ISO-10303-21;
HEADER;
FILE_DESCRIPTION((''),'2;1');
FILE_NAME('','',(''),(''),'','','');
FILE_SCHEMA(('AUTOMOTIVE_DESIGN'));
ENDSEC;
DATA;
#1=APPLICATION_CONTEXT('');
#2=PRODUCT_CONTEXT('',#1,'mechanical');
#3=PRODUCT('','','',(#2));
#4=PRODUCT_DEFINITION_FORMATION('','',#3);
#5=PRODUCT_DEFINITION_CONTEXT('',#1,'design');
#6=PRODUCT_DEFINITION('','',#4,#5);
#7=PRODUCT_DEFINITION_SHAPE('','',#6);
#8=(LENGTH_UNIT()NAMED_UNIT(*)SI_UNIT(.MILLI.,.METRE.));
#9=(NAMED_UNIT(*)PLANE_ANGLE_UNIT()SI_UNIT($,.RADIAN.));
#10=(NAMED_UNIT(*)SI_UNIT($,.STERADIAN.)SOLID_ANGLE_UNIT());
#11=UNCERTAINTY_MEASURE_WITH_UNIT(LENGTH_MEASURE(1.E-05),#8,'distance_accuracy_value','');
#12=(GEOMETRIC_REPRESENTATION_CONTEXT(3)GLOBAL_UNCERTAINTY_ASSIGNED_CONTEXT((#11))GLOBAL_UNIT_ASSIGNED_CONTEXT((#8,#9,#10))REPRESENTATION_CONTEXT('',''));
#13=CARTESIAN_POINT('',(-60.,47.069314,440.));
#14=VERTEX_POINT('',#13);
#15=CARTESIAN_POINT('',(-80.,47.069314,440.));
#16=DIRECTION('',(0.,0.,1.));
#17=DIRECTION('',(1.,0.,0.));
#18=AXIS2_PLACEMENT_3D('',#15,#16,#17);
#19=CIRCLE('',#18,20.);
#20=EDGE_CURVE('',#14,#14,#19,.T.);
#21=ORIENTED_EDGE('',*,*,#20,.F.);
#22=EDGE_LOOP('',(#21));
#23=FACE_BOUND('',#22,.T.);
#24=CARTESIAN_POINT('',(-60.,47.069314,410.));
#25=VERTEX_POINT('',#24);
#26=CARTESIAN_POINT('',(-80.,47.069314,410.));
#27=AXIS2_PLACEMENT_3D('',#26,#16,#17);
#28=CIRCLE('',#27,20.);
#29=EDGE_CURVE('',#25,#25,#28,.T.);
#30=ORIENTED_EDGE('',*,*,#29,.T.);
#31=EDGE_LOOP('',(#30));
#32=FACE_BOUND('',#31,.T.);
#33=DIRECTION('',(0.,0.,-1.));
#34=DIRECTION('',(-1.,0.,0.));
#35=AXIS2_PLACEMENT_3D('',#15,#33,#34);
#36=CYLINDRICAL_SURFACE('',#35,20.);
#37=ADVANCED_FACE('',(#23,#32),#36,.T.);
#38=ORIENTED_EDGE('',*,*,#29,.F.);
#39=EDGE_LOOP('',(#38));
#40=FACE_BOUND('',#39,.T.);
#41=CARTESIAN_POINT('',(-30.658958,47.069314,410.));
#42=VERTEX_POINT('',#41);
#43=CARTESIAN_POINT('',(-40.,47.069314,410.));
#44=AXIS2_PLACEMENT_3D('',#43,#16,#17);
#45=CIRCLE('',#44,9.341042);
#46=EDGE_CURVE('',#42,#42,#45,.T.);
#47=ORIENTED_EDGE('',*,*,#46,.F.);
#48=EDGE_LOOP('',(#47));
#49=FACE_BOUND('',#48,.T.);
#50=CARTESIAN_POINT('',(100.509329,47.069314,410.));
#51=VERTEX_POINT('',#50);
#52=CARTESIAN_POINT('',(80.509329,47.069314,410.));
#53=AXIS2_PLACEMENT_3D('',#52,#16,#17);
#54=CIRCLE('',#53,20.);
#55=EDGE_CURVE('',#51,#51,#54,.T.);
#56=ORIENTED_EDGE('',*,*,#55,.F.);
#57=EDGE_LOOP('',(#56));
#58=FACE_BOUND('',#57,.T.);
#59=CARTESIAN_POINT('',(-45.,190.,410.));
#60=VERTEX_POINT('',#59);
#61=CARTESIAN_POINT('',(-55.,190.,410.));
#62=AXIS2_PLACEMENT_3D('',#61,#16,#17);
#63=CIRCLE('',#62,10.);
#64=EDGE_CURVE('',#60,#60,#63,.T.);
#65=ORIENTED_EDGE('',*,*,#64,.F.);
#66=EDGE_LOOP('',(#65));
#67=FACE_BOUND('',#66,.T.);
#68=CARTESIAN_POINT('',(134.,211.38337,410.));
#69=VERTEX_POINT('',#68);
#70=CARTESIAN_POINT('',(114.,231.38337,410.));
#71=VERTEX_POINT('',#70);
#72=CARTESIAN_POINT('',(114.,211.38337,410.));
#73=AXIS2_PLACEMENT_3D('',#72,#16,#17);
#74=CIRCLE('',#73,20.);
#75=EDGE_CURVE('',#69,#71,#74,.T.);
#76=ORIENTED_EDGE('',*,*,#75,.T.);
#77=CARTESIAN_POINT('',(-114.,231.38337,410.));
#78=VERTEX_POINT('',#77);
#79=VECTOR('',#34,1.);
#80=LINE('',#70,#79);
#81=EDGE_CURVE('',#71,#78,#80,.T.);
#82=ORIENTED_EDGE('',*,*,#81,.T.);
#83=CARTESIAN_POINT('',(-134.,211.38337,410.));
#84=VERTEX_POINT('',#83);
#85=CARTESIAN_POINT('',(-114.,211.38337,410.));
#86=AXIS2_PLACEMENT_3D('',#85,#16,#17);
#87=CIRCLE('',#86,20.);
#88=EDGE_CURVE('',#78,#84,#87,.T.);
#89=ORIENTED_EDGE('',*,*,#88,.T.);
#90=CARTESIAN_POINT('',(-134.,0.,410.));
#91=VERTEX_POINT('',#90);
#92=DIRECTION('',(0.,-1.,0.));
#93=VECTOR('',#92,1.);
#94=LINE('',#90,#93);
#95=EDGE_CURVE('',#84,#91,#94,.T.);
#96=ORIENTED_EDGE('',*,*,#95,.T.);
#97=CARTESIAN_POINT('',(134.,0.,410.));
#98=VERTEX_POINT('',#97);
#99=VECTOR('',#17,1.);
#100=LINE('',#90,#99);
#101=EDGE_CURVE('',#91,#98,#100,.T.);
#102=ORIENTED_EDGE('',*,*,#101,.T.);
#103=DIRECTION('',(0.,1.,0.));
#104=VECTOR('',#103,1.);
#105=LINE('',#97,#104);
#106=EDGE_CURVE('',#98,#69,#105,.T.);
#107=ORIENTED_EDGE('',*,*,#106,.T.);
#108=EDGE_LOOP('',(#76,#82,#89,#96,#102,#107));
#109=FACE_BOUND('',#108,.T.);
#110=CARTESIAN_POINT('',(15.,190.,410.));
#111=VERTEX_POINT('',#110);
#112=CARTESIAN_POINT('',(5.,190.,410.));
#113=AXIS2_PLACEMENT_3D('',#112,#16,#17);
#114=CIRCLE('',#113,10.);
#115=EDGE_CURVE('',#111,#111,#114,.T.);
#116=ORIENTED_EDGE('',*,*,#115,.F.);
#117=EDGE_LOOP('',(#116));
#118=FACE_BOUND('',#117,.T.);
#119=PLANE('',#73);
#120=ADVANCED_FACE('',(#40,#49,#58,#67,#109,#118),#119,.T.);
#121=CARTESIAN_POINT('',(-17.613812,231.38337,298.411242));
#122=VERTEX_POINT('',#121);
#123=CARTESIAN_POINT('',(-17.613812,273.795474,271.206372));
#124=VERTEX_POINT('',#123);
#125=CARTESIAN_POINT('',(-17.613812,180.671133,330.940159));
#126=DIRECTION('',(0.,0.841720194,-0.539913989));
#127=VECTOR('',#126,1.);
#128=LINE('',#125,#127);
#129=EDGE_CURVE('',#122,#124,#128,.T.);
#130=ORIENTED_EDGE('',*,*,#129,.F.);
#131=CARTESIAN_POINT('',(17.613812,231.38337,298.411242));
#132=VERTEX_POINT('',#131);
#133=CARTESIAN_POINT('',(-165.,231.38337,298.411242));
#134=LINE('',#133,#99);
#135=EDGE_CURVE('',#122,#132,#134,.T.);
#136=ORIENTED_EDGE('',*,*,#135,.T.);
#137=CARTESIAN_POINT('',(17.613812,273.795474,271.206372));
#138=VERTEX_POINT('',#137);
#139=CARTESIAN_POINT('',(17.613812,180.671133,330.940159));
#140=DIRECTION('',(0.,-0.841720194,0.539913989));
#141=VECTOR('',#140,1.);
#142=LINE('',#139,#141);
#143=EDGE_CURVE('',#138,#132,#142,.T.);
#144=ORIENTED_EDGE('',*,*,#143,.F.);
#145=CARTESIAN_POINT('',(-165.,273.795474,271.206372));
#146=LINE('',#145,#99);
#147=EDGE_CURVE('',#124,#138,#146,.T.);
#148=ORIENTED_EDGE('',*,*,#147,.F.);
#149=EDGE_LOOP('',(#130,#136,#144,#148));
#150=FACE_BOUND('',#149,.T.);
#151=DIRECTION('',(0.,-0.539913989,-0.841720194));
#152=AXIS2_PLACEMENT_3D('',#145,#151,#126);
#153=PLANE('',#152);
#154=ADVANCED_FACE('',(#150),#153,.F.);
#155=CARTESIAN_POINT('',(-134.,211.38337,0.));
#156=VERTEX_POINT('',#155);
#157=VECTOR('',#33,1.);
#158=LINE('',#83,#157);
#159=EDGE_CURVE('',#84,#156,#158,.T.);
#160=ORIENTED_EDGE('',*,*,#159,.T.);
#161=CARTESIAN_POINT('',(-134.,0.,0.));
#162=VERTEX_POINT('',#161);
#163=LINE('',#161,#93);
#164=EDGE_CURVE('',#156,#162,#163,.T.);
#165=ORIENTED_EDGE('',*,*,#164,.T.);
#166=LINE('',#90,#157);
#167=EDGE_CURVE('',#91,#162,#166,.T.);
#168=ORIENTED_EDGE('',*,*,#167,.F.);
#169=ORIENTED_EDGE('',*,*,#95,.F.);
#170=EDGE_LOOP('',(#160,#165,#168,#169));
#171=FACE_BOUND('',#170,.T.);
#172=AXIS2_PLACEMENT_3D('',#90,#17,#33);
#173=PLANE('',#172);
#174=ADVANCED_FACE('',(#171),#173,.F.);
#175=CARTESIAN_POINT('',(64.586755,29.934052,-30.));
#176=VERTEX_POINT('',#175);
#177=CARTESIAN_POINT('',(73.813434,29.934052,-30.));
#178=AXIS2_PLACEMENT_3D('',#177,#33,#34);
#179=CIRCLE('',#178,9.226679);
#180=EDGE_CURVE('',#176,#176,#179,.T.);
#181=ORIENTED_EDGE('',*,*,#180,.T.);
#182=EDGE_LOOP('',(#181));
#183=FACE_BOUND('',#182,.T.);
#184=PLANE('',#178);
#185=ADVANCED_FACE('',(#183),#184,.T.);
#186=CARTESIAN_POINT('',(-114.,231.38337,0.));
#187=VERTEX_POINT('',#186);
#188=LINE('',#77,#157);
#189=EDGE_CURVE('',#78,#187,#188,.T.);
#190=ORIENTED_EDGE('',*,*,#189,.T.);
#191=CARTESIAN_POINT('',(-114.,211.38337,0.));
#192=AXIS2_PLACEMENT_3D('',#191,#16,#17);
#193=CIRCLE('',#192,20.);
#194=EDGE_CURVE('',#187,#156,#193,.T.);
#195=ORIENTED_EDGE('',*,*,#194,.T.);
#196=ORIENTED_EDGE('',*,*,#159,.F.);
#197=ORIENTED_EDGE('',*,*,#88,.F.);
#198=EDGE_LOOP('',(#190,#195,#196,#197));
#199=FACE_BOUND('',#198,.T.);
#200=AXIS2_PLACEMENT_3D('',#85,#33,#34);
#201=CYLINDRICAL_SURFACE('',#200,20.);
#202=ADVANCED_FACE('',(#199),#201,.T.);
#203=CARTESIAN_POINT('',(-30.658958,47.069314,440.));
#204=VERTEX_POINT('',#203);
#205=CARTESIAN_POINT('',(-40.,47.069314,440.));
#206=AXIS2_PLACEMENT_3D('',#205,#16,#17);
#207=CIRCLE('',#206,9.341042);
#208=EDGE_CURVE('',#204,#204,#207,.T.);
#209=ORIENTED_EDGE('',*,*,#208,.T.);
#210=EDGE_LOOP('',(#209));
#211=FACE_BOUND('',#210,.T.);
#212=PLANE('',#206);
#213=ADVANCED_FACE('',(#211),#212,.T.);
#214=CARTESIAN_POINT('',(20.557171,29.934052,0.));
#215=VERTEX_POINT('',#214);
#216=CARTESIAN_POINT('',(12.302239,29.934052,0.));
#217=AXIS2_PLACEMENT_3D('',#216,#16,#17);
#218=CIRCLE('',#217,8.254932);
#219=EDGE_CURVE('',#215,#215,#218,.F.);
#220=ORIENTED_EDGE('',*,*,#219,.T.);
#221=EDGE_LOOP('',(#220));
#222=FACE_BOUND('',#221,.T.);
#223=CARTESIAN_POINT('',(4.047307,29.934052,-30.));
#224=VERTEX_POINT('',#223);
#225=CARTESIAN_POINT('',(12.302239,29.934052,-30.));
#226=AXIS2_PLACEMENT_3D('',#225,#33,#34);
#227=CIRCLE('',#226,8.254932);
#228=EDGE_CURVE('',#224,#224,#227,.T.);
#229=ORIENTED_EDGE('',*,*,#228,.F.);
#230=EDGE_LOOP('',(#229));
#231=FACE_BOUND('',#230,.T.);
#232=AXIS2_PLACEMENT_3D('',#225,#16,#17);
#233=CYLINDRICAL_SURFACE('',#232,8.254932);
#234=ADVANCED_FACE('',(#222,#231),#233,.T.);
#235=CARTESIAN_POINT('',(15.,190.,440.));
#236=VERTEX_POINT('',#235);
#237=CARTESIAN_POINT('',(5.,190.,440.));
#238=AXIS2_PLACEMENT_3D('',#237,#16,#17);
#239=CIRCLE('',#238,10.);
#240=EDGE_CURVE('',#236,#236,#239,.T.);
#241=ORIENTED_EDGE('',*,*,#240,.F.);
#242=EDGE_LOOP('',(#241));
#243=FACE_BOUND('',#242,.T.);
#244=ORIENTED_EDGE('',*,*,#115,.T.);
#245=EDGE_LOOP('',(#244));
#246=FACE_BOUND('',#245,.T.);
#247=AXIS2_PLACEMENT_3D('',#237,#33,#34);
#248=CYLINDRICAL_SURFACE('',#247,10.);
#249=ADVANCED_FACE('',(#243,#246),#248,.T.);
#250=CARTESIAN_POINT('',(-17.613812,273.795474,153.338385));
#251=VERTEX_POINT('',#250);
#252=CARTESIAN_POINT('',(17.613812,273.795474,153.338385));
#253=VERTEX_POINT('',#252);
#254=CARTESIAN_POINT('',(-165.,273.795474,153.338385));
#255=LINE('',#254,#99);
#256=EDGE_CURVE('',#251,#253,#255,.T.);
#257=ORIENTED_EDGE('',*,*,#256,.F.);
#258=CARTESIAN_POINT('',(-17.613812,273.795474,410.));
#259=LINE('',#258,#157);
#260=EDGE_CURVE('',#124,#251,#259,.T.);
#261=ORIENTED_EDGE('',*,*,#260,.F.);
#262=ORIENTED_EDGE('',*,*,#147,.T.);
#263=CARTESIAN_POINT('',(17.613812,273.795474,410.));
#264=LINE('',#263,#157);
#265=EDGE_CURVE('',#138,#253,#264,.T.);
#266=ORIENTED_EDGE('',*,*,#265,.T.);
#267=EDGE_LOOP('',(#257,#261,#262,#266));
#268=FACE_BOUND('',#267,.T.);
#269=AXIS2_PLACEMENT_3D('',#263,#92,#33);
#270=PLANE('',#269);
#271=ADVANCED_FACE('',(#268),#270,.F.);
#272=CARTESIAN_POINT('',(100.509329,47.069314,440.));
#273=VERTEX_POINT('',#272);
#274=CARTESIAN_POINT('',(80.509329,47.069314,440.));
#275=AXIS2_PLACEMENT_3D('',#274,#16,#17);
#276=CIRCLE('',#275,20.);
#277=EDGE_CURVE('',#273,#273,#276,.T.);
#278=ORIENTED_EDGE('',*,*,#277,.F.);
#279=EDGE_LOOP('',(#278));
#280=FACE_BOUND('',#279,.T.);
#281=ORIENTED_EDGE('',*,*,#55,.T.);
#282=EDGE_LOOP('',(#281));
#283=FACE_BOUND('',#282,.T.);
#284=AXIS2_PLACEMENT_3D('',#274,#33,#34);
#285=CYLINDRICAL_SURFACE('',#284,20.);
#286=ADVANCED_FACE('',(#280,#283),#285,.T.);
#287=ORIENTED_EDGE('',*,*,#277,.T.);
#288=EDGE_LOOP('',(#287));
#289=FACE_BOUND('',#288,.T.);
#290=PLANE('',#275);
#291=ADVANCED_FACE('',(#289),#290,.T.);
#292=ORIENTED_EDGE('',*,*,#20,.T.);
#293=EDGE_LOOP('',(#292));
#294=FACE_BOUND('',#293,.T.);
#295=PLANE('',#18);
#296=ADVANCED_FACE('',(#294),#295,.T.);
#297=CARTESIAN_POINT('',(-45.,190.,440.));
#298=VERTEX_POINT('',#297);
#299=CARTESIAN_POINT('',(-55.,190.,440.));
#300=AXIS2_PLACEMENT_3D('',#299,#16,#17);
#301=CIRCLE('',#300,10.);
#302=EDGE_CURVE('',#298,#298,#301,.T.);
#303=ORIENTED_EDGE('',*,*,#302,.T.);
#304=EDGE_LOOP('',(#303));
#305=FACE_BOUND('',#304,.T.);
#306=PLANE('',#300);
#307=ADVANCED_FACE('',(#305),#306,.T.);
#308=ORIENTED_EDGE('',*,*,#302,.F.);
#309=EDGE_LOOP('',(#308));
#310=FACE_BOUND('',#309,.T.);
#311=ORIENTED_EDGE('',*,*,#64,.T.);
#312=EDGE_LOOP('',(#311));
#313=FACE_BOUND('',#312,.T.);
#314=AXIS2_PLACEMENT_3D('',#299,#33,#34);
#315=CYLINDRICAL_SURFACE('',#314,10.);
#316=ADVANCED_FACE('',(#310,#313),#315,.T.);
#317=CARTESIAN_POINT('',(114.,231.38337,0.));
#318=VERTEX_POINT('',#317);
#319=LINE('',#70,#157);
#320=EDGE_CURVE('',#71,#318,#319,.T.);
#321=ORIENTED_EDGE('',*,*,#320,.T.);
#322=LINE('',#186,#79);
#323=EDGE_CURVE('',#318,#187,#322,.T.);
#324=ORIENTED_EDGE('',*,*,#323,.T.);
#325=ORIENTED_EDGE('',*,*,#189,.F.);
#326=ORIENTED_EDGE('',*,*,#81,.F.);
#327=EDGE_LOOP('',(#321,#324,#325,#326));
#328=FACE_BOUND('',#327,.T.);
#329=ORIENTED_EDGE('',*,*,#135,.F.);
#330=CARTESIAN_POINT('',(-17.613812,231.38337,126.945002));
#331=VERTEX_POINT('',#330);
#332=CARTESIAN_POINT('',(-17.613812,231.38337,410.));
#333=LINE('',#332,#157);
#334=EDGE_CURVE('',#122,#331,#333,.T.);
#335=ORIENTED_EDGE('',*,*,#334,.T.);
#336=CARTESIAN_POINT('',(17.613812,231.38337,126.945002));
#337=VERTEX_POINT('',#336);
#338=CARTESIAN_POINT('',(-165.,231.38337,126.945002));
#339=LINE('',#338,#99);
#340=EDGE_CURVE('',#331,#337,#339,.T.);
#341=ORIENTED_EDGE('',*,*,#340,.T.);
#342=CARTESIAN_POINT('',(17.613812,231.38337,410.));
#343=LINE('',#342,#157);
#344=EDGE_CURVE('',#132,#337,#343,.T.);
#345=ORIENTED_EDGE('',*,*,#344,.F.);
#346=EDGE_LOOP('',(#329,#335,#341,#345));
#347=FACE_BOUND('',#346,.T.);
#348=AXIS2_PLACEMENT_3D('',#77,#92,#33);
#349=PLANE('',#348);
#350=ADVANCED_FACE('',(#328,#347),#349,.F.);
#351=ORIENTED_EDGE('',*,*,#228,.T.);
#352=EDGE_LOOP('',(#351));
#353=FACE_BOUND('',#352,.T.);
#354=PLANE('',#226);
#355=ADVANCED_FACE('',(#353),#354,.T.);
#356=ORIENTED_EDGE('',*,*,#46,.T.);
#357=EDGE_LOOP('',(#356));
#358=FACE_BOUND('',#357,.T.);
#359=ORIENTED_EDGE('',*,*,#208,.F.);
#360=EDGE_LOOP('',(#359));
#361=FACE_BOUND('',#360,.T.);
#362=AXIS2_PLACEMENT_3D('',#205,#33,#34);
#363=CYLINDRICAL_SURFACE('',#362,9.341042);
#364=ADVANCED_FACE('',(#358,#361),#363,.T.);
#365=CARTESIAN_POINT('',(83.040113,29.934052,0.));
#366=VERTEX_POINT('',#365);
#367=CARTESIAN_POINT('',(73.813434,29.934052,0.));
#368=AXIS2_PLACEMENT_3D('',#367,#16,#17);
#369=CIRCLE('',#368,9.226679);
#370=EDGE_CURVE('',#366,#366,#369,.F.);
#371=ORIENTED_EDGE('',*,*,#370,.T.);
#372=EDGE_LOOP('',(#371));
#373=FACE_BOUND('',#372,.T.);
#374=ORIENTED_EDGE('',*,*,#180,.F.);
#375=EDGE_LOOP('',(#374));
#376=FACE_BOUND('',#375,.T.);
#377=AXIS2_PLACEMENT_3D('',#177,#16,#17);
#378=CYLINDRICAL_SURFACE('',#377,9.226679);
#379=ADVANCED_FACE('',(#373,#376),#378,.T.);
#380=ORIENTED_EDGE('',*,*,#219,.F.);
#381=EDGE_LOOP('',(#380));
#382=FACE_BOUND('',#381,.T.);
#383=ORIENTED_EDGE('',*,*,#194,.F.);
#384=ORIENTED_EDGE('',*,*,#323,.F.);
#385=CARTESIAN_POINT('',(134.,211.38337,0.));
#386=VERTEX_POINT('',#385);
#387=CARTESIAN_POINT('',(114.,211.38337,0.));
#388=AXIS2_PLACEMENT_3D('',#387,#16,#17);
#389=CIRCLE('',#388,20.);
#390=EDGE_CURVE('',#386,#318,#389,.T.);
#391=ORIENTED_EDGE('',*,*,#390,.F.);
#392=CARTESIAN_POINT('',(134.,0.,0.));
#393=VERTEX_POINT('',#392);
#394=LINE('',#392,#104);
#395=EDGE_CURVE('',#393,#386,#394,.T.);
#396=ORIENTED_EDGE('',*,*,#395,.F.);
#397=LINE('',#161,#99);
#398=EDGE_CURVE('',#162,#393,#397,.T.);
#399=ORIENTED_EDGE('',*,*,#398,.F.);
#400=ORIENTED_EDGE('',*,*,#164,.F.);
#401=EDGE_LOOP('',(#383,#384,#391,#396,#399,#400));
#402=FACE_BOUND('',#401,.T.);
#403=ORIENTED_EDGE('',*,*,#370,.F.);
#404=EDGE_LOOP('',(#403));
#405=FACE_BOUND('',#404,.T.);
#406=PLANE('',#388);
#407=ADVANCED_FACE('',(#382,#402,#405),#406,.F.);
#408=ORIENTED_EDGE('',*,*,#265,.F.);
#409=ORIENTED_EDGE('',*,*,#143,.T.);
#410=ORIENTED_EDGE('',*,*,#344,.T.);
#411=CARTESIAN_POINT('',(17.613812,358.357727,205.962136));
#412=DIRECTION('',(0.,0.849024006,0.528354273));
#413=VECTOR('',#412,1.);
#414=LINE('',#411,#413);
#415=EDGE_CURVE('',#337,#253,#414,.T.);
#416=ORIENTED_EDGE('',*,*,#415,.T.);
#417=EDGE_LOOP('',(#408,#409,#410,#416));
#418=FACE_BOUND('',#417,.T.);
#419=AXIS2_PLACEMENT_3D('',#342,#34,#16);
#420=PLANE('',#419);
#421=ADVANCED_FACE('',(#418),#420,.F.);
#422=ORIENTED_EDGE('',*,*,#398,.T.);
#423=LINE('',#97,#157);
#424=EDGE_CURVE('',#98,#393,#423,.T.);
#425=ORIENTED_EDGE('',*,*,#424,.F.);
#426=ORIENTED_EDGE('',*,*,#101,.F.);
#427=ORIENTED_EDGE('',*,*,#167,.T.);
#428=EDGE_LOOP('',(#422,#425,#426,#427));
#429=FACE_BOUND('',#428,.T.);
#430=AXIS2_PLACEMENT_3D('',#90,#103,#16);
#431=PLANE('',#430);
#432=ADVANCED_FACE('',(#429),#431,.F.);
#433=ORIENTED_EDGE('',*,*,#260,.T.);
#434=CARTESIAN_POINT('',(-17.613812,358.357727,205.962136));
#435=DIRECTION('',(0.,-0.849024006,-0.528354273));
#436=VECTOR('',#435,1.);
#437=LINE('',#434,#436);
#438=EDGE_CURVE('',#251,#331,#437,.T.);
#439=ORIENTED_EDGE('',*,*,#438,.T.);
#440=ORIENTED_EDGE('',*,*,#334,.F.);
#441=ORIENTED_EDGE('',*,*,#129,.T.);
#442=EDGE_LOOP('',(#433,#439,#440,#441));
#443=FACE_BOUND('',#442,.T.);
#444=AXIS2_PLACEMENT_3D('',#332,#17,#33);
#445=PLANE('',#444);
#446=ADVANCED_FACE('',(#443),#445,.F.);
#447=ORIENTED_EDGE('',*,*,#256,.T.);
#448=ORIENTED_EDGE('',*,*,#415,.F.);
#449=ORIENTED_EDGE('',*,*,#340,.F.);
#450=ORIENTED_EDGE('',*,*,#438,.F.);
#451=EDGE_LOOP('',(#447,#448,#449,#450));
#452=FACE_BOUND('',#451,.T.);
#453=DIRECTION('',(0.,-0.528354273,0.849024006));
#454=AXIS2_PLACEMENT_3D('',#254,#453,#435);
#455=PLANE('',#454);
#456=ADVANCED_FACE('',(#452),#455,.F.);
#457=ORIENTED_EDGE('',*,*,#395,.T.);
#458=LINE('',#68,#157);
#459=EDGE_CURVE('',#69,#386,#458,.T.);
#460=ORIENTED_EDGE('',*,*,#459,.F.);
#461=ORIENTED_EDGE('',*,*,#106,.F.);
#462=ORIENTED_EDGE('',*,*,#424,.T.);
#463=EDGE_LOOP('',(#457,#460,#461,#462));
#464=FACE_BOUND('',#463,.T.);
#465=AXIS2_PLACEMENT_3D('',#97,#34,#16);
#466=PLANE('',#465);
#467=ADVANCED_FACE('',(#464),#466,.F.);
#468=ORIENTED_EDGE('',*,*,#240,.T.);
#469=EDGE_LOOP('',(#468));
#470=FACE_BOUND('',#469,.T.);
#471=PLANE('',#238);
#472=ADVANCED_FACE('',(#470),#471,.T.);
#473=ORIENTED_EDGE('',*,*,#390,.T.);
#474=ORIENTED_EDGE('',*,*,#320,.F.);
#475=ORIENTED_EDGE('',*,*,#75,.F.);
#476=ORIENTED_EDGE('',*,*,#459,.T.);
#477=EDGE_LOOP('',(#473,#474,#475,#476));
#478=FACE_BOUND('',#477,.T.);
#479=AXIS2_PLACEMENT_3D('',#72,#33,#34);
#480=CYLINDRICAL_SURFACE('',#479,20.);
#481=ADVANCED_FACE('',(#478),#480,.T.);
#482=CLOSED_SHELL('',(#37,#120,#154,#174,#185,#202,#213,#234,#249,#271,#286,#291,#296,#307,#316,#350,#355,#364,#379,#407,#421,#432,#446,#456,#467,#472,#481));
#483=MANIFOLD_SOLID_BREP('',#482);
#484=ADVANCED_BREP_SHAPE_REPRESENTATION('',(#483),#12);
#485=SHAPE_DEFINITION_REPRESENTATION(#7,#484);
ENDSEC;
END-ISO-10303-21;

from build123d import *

# Parameters (mm, degrees)
EXTRUDE_1_DEPTH     = 410
CUT_EXTRUDE_1_DEPTH = 165
SKETCH_4_R          = 20
SKETCH_4_R_2        = 9.341042427
SKETCH_4_R_3        = 10
EXTRUDE_2_DEPTH     = 30
SKETCH_5_R          = 8.254931616
SKETCH_5_R_2        = 9.226679221
EXTRUDE_3_DEPTH     = 30


with BuildPart() as part:
    # Эскиз2 → Бобышка-Вытянуть1 (new body)
    with BuildSketch(Plane.XY):
        with BuildLine():
            Line((-134, 0), (134, 0))
            Line((134, 0), (134, 211.383370155))
            ThreePointArc((134, 211.383370155), (128.142135624, 225.525505779), (114, 231.383370155))
            Line((114, 231.383370155), (17.613812431, 231.383370155))
            Line((17.613812431, 231.383370155), (17.613812431, 273.795473599))
            Line((17.613812431, 273.795473599), (-17.613812431, 273.795473599))
            Line((-17.613812431, 273.795473599), (-17.613812431, 231.383370155))
            Line((-17.613812431, 231.383370155), (-114, 231.383370155))
            ThreePointArc((-114, 231.383370155), (-128.142135624, 225.525505779), (-134, 211.383370155))
            Line((-134, 211.383370155), (-134, 0))
        make_face()
    extrude(amount=EXTRUDE_1_DEPTH)

    # Эскиз3 → Вырез-Вытянуть1 (cut, symmetric)
    with BuildSketch(Plane(origin=(0, 0, 0), x_dir=(0, 0, -1), z_dir=(1, 0, 0))):
        Polygon((-271.206372328, 273.795473599), (-298.41124171, 231.383370155), (-410.493924083, 231.383370155), (-410.493924083, 334.856445818), (0, 334.856445818), (0, 231.383370155), (-126.94500188, 231.383370155), (-153.338385259, 273.795473599), align=None)
    extrude(amount=CUT_EXTRUDE_1_DEPTH, both=True, mode=Mode.SUBTRACT)

    # Эскиз4 → Бобышка-Вытянуть2 (add)
    with BuildSketch(Plane.XY.offset(410)):
        with Locations((-80, 47.069313646)):
            Circle(SKETCH_4_R)
        with Locations((-40, 47.069313646)):
            Circle(SKETCH_4_R_2)
        with Locations((80.509329497, 47.069313646)):
            Circle(SKETCH_4_R)
        with Locations((-55, 190)):
            Circle(SKETCH_4_R_3)
        with Locations((5, 190)):
            Circle(SKETCH_4_R_3)
    extrude(amount=EXTRUDE_2_DEPTH)

    # Эскиз5 → Бобышка-Вытянуть3 (add)
    with BuildSketch(Plane(origin=(0, 0, 0), x_dir=(-1, 0, 0), z_dir=(0, 0, -1))):
        with Locations((-12.302238961, 29.934052236)):
            Circle(SKETCH_5_R)
        with Locations((-73.813433765, 29.934052236)):
            Circle(SKETCH_5_R_2)
    extrude(amount=EXTRUDE_3_DEPTH)


solid = part.part
